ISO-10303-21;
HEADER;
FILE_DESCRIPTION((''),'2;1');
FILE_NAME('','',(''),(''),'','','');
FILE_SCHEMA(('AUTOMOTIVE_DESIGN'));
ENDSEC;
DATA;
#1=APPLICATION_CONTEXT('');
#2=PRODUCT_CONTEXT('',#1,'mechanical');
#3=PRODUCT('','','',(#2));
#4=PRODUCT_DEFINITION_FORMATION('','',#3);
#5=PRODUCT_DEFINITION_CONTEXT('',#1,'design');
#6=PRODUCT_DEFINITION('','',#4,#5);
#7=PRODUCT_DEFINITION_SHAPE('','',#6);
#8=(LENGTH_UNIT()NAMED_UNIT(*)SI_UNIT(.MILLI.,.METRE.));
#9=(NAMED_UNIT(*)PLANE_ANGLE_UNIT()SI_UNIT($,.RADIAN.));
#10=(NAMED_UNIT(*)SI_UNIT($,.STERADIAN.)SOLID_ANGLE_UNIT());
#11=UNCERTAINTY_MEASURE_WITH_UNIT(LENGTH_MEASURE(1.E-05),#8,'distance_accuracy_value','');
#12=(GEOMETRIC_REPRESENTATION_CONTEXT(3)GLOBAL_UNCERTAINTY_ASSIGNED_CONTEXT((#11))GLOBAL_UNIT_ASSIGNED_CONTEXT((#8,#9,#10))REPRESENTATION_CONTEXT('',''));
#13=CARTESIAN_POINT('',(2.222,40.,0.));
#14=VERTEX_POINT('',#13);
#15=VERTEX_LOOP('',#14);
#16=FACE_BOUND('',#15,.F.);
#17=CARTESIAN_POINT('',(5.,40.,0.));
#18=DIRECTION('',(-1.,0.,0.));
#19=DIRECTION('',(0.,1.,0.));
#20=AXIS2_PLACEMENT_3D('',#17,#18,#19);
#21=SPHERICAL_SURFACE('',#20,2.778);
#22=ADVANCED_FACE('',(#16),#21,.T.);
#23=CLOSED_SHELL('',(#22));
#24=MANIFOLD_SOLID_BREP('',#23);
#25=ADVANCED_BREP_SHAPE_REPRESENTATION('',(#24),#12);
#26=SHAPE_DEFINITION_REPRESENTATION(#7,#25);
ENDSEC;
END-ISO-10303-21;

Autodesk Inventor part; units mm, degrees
ref_plane "YZ Plane" through (0, 0, 0) normal (1, 0, 0) x (0, 1, 0)
ref_plane "XZ Plane" through (0, 0, 0) normal (0, 1, 0) x (-1, 0, 0)
ref_plane "XY Plane" through (0, 0, 0) normal (0, 0, 1) x (1, 0, 0)
sketch "Sketch_6" plane through (0, 0, 0) normal (0, 0, 1) x (1, 0, 0)
  line L0 (7.778, 40) -> (2.222, 40)
  arc A0 (7.778, 40) -> (2.222, 40) centre (5, 40) ccw
  line L1 (7.778, 40) -> (2.222, 40)
  dimension "d0" = 360
revolve "Revolution1" add sketch "Sketch_6" angle 360 about axis through (7.778, 40, 0) along (1, 0, 0)
properties part number "61814-2RS1_PART3"
